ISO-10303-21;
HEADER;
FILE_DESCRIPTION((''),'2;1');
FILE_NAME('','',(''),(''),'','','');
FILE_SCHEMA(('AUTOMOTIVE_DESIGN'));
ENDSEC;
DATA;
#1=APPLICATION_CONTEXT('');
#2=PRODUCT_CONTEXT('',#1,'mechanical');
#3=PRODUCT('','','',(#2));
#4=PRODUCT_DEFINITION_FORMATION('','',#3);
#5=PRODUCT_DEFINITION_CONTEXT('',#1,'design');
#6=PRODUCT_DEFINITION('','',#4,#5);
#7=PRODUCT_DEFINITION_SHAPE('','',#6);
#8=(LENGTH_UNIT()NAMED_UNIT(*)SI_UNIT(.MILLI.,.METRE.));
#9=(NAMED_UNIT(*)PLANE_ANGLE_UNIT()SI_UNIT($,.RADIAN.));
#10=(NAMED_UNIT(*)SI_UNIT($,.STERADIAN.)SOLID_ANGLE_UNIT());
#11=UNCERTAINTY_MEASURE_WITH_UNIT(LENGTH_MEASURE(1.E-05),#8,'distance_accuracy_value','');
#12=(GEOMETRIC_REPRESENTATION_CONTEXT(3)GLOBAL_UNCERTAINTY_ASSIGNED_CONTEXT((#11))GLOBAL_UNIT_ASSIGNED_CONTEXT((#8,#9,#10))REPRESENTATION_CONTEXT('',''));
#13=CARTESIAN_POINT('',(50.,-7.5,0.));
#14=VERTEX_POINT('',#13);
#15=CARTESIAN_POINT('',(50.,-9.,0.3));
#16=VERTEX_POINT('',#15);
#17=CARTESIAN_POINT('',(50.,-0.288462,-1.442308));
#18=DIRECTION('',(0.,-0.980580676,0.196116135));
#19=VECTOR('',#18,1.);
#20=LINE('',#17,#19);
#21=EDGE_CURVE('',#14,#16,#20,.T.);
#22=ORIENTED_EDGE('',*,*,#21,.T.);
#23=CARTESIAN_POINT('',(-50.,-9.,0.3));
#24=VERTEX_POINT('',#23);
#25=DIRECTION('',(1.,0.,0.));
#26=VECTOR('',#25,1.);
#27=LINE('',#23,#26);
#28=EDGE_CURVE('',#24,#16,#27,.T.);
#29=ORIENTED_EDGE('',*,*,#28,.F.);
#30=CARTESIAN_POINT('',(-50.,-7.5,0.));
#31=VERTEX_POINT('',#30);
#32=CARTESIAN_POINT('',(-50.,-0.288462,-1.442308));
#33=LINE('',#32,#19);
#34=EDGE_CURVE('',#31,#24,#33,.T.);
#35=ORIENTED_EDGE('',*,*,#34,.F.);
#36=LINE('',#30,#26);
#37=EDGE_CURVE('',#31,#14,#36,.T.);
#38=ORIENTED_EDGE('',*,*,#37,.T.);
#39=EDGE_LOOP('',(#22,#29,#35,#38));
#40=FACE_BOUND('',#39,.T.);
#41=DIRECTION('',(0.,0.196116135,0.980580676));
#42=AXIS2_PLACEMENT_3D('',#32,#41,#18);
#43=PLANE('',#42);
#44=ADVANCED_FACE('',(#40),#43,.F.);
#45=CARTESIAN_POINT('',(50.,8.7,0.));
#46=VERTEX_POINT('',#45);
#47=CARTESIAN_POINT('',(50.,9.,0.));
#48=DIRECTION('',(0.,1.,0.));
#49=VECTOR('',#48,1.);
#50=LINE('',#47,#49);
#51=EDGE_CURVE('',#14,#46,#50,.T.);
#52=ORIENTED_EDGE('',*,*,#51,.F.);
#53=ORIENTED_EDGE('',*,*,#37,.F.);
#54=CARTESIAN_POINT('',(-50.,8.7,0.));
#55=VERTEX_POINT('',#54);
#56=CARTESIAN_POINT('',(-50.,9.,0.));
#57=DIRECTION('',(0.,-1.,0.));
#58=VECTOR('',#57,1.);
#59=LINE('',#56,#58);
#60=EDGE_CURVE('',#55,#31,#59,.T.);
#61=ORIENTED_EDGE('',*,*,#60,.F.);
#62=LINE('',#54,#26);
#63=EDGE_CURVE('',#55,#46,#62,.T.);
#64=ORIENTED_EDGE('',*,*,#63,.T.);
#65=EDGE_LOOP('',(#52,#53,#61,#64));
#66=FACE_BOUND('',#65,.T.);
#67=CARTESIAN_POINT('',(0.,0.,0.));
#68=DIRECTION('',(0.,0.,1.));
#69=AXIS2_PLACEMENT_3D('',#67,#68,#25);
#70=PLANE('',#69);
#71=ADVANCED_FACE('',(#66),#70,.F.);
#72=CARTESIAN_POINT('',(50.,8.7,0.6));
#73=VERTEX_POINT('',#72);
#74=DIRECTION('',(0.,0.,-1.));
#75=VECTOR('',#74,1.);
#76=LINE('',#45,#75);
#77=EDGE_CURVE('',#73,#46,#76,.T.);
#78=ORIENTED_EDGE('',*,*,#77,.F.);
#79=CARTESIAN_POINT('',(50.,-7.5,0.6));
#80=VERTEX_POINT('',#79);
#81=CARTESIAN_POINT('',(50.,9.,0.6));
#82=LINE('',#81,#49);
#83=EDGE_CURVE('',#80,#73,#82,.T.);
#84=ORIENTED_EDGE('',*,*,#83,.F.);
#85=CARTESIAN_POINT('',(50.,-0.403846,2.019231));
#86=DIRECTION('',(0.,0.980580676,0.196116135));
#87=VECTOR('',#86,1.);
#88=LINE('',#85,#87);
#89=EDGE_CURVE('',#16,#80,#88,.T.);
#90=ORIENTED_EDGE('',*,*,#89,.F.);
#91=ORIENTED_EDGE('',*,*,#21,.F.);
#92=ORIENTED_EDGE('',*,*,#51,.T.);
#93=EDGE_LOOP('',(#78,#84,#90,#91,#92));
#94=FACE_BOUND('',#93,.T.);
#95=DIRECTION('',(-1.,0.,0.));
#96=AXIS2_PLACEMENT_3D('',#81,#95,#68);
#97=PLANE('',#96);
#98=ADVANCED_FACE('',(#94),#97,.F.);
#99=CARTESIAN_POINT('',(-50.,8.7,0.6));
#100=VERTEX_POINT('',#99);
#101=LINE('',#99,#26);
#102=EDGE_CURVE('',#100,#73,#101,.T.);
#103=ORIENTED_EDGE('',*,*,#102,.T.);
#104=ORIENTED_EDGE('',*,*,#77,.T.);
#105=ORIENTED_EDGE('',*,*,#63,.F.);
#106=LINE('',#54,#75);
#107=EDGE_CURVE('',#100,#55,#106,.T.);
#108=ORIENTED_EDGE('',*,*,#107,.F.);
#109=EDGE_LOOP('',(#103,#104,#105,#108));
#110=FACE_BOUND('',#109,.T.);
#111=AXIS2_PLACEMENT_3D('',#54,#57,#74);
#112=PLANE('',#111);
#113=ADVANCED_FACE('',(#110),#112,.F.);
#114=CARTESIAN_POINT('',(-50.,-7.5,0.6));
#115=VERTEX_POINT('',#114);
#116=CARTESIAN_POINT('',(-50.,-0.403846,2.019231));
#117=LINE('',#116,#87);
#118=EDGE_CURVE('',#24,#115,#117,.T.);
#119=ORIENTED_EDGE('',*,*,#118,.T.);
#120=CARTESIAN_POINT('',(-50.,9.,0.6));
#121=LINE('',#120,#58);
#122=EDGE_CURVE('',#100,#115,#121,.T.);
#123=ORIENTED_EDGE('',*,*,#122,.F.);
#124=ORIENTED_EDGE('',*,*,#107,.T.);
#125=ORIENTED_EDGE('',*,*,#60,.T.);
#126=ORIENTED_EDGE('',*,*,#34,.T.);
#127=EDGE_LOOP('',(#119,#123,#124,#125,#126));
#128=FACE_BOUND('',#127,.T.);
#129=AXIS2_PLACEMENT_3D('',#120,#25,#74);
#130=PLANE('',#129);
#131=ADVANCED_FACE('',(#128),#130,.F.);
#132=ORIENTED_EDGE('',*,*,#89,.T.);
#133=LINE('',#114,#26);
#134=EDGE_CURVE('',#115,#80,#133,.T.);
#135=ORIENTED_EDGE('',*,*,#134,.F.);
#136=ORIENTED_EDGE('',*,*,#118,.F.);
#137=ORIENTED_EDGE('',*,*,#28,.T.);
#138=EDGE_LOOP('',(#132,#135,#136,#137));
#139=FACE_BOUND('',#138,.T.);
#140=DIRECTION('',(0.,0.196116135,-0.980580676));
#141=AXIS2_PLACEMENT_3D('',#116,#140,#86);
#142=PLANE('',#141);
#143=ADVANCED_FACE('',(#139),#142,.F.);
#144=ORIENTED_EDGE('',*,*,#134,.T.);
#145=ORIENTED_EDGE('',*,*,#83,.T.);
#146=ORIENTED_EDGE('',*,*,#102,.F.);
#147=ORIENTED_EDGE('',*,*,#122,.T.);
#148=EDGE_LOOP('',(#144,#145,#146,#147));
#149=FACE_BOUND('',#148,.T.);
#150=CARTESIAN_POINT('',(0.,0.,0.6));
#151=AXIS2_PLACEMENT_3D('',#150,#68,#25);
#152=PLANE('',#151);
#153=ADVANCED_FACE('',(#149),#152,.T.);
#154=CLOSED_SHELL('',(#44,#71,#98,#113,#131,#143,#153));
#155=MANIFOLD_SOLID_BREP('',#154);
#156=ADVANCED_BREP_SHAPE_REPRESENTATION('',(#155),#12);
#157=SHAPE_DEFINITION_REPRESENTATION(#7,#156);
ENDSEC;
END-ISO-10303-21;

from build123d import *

# Parameters (mm, degrees)
ESBO_O1_W                = 100
ESBO_O1_H                = 18
RESSALTO_EXTRUS_O1_DEPTH = 0.6
ESBO_O2_W                = 0.6
ESBO_O2_H                = 0.3
CORTE_EXTRUS_O1_DEPTH    = 100


with BuildPart() as part:
    # Esboço1 → Ressalto-extrusão1 (new body)
    with BuildSketch(Plane.XY):
        Rectangle(ESBO_O1_W, ESBO_O1_H)
    extrude(amount=RESSALTO_EXTRUS_O1_DEPTH)

    # Esboço2 → Corte-extrusão1 (cut)
    with BuildSketch(Plane(origin=(50, 0, 0), x_dir=(0, 0, -1), z_dir=(1, 0, 0))):
        Polygon((-0.6, -9), (-0.3, -9), (-0.6, -7.5), align=None)
        Polygon((0, -7.5), (-0.3, -9), (0, -9), align=None)
        with Locations((-0.3, 8.85)):
            Rectangle(ESBO_O2_W, ESBO_O2_H)
    extrude(amount=-CORTE_EXTRUS_O1_DEPTH, mode=Mode.SUBTRACT)


solid = part.part
